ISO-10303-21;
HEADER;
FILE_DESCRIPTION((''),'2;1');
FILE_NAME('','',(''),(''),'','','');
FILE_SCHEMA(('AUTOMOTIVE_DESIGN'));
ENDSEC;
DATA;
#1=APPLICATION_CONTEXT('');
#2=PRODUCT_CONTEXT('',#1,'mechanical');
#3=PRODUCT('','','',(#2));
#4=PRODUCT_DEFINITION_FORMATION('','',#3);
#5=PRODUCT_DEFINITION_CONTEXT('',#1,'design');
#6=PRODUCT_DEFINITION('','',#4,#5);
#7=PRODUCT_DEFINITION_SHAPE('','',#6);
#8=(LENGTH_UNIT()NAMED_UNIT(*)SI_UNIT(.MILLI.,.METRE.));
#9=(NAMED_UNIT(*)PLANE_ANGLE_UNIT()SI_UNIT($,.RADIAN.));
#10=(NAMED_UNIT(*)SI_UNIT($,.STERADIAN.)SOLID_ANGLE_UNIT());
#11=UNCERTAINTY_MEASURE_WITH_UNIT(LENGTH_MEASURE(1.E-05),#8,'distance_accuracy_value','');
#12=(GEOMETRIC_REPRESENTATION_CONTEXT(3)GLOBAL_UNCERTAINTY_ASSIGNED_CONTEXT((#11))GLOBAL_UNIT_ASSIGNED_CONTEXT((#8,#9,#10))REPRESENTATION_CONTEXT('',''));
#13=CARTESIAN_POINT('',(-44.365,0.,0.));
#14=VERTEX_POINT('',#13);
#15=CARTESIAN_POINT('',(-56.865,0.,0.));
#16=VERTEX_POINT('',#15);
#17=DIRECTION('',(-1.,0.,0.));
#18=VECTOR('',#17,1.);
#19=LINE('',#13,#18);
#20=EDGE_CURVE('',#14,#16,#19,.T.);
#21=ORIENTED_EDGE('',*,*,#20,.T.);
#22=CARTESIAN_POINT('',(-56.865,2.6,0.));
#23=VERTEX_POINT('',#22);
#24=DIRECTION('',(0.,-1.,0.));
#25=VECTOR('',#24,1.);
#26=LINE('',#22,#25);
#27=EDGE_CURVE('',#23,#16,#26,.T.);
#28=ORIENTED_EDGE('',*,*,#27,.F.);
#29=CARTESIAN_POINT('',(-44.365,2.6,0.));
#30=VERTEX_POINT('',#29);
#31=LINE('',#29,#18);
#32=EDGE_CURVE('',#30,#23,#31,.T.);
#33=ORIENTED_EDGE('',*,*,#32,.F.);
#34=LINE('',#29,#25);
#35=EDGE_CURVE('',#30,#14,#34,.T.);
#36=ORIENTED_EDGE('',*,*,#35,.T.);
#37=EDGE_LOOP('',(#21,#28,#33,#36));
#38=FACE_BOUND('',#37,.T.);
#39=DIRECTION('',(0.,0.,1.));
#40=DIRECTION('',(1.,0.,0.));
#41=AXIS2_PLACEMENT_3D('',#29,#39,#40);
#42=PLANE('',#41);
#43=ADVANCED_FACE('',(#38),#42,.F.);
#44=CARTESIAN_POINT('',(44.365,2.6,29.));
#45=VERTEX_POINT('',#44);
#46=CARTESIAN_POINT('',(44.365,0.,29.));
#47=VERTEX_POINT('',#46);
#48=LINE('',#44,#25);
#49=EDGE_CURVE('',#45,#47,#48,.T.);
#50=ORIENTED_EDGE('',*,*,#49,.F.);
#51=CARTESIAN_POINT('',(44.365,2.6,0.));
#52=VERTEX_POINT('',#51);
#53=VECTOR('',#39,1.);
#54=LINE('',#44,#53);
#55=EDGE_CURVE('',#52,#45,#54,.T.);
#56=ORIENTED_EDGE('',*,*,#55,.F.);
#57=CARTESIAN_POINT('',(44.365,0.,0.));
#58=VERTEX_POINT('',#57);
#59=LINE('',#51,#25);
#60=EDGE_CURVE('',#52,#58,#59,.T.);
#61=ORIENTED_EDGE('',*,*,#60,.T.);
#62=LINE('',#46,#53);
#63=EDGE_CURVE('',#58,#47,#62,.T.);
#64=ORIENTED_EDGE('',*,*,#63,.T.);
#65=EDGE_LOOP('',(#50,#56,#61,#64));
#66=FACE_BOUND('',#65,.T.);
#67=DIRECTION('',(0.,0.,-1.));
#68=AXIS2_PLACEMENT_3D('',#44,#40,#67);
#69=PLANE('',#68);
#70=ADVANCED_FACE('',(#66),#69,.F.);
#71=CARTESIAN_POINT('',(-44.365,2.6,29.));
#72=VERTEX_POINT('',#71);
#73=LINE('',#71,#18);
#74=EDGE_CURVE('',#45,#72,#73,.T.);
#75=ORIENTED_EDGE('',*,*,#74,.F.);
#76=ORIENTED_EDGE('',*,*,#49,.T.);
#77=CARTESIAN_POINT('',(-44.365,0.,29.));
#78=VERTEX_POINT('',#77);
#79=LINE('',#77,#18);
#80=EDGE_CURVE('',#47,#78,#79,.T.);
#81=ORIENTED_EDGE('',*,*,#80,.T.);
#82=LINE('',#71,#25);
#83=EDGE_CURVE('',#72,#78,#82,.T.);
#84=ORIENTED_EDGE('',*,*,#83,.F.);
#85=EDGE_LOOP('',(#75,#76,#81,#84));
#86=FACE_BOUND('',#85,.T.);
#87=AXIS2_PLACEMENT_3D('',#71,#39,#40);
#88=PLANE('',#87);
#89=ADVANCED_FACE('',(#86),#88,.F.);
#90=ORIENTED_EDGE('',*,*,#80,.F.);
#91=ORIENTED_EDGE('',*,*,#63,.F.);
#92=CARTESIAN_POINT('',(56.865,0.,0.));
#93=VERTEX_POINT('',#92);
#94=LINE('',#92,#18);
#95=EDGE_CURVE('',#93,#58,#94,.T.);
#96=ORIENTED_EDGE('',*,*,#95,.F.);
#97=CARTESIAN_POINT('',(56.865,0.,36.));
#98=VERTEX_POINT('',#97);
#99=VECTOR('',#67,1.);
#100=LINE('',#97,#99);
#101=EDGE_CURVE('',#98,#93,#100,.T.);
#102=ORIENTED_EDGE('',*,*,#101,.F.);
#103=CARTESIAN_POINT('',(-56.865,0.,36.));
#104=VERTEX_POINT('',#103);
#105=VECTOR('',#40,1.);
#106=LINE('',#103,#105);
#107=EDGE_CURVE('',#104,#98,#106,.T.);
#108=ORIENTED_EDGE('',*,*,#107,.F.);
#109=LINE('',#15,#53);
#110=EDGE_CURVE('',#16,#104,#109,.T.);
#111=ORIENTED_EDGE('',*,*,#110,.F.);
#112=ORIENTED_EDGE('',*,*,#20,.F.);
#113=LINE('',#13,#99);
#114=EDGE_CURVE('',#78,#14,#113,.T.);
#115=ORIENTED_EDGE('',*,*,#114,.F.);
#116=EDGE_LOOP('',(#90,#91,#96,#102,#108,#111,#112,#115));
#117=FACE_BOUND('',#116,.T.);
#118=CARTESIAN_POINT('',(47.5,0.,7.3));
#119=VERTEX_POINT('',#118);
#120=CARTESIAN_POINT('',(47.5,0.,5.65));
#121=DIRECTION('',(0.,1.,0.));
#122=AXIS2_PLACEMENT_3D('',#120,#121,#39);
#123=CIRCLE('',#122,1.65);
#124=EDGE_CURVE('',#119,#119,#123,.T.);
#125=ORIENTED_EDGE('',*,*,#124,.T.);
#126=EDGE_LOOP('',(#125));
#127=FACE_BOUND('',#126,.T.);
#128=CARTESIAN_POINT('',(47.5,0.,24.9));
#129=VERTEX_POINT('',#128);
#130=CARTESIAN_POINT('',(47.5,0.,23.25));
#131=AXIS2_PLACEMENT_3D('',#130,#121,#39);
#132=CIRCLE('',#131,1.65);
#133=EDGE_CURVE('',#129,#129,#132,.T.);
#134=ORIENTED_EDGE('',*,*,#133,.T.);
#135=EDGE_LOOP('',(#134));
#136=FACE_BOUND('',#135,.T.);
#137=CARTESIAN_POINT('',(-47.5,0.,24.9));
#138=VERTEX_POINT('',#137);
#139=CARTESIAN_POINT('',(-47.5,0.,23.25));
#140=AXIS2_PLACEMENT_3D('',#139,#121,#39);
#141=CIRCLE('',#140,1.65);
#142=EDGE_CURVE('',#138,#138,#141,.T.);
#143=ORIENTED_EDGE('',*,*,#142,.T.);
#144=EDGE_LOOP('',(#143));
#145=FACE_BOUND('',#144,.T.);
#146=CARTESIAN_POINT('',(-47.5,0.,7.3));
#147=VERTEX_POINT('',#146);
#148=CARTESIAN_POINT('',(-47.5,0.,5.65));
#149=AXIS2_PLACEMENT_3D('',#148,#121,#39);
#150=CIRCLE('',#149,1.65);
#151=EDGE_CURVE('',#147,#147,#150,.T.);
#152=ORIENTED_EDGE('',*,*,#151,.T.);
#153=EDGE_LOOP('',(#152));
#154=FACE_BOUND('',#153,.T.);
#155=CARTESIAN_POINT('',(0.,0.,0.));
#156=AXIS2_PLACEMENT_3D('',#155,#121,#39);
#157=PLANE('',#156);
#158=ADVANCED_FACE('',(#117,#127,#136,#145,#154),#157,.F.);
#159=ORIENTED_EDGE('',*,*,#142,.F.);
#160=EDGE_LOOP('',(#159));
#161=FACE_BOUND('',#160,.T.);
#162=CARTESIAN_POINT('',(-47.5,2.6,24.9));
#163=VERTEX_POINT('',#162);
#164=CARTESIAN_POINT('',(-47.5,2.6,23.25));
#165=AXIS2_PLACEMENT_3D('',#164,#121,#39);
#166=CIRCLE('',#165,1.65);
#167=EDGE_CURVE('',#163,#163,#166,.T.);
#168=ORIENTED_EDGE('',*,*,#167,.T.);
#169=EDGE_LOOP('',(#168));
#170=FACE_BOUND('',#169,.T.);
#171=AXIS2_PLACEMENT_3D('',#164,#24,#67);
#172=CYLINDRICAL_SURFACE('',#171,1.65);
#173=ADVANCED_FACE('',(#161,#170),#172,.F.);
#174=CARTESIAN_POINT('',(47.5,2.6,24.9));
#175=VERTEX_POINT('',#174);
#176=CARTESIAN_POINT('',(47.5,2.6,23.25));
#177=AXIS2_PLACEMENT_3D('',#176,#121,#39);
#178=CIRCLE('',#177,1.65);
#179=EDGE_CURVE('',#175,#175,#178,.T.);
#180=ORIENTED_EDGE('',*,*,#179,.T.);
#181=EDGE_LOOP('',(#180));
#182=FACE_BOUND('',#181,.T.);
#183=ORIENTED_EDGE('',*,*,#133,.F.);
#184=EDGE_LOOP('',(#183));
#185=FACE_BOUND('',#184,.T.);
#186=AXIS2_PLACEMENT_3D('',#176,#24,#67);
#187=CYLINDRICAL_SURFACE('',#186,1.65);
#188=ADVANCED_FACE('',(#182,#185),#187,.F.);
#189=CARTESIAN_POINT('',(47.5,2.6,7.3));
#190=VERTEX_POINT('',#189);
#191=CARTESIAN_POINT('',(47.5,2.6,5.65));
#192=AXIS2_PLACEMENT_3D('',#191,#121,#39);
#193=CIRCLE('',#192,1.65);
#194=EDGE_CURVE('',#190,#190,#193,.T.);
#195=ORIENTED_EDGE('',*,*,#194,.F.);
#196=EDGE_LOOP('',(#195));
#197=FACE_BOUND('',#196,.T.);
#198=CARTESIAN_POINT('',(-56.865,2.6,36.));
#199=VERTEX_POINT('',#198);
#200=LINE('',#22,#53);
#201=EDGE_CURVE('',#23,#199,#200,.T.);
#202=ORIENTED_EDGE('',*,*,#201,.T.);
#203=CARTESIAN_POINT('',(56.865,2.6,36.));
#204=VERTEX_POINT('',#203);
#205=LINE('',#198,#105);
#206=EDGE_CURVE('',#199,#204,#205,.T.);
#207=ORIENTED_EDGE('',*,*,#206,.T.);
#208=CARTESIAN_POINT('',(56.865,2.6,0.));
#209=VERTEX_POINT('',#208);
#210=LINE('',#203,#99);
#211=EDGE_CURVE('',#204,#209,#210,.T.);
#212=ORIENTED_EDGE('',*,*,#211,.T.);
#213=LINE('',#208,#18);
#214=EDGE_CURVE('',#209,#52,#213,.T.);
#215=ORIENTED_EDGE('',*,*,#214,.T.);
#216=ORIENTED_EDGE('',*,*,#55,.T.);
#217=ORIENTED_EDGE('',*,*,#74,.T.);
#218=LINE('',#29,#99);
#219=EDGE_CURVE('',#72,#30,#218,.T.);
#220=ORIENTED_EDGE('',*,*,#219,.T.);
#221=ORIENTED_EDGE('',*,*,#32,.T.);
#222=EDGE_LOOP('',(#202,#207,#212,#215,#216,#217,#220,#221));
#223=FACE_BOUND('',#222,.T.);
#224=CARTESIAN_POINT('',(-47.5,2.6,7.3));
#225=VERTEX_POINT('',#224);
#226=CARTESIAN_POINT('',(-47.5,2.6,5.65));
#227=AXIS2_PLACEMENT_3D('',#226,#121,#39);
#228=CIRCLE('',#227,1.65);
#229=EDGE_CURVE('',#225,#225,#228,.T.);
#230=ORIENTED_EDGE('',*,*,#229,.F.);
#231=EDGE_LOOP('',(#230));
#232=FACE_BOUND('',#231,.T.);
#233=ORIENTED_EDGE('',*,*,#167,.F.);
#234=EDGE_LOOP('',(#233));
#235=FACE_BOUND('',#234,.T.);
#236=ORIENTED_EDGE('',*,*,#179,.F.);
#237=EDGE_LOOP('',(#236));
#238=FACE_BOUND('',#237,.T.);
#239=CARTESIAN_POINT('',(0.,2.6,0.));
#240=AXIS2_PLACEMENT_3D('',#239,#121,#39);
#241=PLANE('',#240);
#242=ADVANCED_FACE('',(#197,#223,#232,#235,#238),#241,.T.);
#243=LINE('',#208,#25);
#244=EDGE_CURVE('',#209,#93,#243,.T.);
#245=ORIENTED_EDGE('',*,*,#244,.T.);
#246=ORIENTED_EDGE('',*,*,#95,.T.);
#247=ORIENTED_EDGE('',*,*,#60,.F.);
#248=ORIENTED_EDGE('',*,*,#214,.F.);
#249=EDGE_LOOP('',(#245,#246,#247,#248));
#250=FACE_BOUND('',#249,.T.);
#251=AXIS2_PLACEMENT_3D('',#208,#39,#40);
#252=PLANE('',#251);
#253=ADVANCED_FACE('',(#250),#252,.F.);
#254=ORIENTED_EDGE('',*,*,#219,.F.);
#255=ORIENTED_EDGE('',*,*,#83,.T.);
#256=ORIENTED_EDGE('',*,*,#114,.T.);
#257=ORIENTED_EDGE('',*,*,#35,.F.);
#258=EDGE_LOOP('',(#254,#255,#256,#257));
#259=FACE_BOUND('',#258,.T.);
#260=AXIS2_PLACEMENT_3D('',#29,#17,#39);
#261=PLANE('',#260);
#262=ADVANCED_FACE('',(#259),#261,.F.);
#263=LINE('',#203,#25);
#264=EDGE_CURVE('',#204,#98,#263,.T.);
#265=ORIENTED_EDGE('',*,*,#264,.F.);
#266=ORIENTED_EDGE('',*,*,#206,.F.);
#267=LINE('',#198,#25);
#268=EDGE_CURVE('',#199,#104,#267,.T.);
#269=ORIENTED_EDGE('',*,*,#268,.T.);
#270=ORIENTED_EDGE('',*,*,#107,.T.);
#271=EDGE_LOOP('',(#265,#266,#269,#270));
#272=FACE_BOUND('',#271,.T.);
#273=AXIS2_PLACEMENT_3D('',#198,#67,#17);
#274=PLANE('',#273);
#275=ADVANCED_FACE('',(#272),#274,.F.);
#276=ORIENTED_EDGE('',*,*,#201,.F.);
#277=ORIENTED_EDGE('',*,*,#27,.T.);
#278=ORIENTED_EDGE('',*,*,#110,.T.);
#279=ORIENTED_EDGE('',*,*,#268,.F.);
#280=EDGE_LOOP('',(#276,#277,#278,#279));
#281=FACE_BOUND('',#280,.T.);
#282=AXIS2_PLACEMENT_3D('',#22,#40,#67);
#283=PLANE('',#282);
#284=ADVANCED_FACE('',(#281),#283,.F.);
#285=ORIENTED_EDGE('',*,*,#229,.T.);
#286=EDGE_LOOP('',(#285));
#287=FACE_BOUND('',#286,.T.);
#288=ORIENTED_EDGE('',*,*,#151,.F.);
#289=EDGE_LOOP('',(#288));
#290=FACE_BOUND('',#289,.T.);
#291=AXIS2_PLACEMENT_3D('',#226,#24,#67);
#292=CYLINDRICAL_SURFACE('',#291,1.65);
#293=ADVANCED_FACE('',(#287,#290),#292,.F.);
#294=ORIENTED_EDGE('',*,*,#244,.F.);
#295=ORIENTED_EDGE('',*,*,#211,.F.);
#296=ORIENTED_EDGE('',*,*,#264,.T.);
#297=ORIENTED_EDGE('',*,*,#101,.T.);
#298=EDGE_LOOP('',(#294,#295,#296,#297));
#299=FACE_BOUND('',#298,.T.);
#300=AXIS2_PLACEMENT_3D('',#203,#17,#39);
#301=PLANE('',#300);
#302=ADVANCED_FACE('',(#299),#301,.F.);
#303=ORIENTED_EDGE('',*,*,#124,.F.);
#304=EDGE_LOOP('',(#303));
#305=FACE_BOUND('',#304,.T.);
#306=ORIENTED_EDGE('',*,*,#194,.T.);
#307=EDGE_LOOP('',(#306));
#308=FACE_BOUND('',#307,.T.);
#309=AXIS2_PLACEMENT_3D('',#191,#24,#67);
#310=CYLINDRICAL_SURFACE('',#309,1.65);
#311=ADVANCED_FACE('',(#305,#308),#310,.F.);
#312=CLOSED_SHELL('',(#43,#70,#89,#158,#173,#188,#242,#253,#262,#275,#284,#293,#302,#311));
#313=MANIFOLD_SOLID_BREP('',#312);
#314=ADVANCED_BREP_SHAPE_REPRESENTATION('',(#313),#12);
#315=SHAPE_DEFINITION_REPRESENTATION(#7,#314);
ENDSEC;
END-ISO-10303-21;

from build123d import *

# Parameters (mm, degrees)
SKETCH2_R           = 1.65
BOSS_EXTRUDE1_DEPTH = 2.6


with BuildPart() as part:
    # Sketch2 → Boss-Extrude1 (new body)
    with BuildSketch(Plane(origin=(0, 0, 0), x_dir=(1, 0, 0), z_dir=(0, 1, 0))):
        Polygon((-44.365, 0), (-44.365, -29), (44.365, -29), (44.365, 0), (56.865, 0), (56.865, -36), (-56.865, -36), (-56.865, 0), align=None)
        with Locations(Location((-47.5, -5.65, 0), (0, 0, 270))):
            Circle(SKETCH2_R, mode=Mode.SUBTRACT)
        with Locations(Location((47.5, -5.65, 0), (0, 0, 270))):
            Circle(SKETCH2_R, mode=Mode.SUBTRACT)
        with Locations(Location((-47.5, -23.25, 0), (0, 0, 270))):
            Circle(SKETCH2_R, mode=Mode.SUBTRACT)
        with Locations(Location((47.5, -23.25, 0), (0, 0, 270))):
            Circle(SKETCH2_R, mode=Mode.SUBTRACT)
    extrude(amount=BOSS_EXTRUDE1_DEPTH)


solid = part.part
